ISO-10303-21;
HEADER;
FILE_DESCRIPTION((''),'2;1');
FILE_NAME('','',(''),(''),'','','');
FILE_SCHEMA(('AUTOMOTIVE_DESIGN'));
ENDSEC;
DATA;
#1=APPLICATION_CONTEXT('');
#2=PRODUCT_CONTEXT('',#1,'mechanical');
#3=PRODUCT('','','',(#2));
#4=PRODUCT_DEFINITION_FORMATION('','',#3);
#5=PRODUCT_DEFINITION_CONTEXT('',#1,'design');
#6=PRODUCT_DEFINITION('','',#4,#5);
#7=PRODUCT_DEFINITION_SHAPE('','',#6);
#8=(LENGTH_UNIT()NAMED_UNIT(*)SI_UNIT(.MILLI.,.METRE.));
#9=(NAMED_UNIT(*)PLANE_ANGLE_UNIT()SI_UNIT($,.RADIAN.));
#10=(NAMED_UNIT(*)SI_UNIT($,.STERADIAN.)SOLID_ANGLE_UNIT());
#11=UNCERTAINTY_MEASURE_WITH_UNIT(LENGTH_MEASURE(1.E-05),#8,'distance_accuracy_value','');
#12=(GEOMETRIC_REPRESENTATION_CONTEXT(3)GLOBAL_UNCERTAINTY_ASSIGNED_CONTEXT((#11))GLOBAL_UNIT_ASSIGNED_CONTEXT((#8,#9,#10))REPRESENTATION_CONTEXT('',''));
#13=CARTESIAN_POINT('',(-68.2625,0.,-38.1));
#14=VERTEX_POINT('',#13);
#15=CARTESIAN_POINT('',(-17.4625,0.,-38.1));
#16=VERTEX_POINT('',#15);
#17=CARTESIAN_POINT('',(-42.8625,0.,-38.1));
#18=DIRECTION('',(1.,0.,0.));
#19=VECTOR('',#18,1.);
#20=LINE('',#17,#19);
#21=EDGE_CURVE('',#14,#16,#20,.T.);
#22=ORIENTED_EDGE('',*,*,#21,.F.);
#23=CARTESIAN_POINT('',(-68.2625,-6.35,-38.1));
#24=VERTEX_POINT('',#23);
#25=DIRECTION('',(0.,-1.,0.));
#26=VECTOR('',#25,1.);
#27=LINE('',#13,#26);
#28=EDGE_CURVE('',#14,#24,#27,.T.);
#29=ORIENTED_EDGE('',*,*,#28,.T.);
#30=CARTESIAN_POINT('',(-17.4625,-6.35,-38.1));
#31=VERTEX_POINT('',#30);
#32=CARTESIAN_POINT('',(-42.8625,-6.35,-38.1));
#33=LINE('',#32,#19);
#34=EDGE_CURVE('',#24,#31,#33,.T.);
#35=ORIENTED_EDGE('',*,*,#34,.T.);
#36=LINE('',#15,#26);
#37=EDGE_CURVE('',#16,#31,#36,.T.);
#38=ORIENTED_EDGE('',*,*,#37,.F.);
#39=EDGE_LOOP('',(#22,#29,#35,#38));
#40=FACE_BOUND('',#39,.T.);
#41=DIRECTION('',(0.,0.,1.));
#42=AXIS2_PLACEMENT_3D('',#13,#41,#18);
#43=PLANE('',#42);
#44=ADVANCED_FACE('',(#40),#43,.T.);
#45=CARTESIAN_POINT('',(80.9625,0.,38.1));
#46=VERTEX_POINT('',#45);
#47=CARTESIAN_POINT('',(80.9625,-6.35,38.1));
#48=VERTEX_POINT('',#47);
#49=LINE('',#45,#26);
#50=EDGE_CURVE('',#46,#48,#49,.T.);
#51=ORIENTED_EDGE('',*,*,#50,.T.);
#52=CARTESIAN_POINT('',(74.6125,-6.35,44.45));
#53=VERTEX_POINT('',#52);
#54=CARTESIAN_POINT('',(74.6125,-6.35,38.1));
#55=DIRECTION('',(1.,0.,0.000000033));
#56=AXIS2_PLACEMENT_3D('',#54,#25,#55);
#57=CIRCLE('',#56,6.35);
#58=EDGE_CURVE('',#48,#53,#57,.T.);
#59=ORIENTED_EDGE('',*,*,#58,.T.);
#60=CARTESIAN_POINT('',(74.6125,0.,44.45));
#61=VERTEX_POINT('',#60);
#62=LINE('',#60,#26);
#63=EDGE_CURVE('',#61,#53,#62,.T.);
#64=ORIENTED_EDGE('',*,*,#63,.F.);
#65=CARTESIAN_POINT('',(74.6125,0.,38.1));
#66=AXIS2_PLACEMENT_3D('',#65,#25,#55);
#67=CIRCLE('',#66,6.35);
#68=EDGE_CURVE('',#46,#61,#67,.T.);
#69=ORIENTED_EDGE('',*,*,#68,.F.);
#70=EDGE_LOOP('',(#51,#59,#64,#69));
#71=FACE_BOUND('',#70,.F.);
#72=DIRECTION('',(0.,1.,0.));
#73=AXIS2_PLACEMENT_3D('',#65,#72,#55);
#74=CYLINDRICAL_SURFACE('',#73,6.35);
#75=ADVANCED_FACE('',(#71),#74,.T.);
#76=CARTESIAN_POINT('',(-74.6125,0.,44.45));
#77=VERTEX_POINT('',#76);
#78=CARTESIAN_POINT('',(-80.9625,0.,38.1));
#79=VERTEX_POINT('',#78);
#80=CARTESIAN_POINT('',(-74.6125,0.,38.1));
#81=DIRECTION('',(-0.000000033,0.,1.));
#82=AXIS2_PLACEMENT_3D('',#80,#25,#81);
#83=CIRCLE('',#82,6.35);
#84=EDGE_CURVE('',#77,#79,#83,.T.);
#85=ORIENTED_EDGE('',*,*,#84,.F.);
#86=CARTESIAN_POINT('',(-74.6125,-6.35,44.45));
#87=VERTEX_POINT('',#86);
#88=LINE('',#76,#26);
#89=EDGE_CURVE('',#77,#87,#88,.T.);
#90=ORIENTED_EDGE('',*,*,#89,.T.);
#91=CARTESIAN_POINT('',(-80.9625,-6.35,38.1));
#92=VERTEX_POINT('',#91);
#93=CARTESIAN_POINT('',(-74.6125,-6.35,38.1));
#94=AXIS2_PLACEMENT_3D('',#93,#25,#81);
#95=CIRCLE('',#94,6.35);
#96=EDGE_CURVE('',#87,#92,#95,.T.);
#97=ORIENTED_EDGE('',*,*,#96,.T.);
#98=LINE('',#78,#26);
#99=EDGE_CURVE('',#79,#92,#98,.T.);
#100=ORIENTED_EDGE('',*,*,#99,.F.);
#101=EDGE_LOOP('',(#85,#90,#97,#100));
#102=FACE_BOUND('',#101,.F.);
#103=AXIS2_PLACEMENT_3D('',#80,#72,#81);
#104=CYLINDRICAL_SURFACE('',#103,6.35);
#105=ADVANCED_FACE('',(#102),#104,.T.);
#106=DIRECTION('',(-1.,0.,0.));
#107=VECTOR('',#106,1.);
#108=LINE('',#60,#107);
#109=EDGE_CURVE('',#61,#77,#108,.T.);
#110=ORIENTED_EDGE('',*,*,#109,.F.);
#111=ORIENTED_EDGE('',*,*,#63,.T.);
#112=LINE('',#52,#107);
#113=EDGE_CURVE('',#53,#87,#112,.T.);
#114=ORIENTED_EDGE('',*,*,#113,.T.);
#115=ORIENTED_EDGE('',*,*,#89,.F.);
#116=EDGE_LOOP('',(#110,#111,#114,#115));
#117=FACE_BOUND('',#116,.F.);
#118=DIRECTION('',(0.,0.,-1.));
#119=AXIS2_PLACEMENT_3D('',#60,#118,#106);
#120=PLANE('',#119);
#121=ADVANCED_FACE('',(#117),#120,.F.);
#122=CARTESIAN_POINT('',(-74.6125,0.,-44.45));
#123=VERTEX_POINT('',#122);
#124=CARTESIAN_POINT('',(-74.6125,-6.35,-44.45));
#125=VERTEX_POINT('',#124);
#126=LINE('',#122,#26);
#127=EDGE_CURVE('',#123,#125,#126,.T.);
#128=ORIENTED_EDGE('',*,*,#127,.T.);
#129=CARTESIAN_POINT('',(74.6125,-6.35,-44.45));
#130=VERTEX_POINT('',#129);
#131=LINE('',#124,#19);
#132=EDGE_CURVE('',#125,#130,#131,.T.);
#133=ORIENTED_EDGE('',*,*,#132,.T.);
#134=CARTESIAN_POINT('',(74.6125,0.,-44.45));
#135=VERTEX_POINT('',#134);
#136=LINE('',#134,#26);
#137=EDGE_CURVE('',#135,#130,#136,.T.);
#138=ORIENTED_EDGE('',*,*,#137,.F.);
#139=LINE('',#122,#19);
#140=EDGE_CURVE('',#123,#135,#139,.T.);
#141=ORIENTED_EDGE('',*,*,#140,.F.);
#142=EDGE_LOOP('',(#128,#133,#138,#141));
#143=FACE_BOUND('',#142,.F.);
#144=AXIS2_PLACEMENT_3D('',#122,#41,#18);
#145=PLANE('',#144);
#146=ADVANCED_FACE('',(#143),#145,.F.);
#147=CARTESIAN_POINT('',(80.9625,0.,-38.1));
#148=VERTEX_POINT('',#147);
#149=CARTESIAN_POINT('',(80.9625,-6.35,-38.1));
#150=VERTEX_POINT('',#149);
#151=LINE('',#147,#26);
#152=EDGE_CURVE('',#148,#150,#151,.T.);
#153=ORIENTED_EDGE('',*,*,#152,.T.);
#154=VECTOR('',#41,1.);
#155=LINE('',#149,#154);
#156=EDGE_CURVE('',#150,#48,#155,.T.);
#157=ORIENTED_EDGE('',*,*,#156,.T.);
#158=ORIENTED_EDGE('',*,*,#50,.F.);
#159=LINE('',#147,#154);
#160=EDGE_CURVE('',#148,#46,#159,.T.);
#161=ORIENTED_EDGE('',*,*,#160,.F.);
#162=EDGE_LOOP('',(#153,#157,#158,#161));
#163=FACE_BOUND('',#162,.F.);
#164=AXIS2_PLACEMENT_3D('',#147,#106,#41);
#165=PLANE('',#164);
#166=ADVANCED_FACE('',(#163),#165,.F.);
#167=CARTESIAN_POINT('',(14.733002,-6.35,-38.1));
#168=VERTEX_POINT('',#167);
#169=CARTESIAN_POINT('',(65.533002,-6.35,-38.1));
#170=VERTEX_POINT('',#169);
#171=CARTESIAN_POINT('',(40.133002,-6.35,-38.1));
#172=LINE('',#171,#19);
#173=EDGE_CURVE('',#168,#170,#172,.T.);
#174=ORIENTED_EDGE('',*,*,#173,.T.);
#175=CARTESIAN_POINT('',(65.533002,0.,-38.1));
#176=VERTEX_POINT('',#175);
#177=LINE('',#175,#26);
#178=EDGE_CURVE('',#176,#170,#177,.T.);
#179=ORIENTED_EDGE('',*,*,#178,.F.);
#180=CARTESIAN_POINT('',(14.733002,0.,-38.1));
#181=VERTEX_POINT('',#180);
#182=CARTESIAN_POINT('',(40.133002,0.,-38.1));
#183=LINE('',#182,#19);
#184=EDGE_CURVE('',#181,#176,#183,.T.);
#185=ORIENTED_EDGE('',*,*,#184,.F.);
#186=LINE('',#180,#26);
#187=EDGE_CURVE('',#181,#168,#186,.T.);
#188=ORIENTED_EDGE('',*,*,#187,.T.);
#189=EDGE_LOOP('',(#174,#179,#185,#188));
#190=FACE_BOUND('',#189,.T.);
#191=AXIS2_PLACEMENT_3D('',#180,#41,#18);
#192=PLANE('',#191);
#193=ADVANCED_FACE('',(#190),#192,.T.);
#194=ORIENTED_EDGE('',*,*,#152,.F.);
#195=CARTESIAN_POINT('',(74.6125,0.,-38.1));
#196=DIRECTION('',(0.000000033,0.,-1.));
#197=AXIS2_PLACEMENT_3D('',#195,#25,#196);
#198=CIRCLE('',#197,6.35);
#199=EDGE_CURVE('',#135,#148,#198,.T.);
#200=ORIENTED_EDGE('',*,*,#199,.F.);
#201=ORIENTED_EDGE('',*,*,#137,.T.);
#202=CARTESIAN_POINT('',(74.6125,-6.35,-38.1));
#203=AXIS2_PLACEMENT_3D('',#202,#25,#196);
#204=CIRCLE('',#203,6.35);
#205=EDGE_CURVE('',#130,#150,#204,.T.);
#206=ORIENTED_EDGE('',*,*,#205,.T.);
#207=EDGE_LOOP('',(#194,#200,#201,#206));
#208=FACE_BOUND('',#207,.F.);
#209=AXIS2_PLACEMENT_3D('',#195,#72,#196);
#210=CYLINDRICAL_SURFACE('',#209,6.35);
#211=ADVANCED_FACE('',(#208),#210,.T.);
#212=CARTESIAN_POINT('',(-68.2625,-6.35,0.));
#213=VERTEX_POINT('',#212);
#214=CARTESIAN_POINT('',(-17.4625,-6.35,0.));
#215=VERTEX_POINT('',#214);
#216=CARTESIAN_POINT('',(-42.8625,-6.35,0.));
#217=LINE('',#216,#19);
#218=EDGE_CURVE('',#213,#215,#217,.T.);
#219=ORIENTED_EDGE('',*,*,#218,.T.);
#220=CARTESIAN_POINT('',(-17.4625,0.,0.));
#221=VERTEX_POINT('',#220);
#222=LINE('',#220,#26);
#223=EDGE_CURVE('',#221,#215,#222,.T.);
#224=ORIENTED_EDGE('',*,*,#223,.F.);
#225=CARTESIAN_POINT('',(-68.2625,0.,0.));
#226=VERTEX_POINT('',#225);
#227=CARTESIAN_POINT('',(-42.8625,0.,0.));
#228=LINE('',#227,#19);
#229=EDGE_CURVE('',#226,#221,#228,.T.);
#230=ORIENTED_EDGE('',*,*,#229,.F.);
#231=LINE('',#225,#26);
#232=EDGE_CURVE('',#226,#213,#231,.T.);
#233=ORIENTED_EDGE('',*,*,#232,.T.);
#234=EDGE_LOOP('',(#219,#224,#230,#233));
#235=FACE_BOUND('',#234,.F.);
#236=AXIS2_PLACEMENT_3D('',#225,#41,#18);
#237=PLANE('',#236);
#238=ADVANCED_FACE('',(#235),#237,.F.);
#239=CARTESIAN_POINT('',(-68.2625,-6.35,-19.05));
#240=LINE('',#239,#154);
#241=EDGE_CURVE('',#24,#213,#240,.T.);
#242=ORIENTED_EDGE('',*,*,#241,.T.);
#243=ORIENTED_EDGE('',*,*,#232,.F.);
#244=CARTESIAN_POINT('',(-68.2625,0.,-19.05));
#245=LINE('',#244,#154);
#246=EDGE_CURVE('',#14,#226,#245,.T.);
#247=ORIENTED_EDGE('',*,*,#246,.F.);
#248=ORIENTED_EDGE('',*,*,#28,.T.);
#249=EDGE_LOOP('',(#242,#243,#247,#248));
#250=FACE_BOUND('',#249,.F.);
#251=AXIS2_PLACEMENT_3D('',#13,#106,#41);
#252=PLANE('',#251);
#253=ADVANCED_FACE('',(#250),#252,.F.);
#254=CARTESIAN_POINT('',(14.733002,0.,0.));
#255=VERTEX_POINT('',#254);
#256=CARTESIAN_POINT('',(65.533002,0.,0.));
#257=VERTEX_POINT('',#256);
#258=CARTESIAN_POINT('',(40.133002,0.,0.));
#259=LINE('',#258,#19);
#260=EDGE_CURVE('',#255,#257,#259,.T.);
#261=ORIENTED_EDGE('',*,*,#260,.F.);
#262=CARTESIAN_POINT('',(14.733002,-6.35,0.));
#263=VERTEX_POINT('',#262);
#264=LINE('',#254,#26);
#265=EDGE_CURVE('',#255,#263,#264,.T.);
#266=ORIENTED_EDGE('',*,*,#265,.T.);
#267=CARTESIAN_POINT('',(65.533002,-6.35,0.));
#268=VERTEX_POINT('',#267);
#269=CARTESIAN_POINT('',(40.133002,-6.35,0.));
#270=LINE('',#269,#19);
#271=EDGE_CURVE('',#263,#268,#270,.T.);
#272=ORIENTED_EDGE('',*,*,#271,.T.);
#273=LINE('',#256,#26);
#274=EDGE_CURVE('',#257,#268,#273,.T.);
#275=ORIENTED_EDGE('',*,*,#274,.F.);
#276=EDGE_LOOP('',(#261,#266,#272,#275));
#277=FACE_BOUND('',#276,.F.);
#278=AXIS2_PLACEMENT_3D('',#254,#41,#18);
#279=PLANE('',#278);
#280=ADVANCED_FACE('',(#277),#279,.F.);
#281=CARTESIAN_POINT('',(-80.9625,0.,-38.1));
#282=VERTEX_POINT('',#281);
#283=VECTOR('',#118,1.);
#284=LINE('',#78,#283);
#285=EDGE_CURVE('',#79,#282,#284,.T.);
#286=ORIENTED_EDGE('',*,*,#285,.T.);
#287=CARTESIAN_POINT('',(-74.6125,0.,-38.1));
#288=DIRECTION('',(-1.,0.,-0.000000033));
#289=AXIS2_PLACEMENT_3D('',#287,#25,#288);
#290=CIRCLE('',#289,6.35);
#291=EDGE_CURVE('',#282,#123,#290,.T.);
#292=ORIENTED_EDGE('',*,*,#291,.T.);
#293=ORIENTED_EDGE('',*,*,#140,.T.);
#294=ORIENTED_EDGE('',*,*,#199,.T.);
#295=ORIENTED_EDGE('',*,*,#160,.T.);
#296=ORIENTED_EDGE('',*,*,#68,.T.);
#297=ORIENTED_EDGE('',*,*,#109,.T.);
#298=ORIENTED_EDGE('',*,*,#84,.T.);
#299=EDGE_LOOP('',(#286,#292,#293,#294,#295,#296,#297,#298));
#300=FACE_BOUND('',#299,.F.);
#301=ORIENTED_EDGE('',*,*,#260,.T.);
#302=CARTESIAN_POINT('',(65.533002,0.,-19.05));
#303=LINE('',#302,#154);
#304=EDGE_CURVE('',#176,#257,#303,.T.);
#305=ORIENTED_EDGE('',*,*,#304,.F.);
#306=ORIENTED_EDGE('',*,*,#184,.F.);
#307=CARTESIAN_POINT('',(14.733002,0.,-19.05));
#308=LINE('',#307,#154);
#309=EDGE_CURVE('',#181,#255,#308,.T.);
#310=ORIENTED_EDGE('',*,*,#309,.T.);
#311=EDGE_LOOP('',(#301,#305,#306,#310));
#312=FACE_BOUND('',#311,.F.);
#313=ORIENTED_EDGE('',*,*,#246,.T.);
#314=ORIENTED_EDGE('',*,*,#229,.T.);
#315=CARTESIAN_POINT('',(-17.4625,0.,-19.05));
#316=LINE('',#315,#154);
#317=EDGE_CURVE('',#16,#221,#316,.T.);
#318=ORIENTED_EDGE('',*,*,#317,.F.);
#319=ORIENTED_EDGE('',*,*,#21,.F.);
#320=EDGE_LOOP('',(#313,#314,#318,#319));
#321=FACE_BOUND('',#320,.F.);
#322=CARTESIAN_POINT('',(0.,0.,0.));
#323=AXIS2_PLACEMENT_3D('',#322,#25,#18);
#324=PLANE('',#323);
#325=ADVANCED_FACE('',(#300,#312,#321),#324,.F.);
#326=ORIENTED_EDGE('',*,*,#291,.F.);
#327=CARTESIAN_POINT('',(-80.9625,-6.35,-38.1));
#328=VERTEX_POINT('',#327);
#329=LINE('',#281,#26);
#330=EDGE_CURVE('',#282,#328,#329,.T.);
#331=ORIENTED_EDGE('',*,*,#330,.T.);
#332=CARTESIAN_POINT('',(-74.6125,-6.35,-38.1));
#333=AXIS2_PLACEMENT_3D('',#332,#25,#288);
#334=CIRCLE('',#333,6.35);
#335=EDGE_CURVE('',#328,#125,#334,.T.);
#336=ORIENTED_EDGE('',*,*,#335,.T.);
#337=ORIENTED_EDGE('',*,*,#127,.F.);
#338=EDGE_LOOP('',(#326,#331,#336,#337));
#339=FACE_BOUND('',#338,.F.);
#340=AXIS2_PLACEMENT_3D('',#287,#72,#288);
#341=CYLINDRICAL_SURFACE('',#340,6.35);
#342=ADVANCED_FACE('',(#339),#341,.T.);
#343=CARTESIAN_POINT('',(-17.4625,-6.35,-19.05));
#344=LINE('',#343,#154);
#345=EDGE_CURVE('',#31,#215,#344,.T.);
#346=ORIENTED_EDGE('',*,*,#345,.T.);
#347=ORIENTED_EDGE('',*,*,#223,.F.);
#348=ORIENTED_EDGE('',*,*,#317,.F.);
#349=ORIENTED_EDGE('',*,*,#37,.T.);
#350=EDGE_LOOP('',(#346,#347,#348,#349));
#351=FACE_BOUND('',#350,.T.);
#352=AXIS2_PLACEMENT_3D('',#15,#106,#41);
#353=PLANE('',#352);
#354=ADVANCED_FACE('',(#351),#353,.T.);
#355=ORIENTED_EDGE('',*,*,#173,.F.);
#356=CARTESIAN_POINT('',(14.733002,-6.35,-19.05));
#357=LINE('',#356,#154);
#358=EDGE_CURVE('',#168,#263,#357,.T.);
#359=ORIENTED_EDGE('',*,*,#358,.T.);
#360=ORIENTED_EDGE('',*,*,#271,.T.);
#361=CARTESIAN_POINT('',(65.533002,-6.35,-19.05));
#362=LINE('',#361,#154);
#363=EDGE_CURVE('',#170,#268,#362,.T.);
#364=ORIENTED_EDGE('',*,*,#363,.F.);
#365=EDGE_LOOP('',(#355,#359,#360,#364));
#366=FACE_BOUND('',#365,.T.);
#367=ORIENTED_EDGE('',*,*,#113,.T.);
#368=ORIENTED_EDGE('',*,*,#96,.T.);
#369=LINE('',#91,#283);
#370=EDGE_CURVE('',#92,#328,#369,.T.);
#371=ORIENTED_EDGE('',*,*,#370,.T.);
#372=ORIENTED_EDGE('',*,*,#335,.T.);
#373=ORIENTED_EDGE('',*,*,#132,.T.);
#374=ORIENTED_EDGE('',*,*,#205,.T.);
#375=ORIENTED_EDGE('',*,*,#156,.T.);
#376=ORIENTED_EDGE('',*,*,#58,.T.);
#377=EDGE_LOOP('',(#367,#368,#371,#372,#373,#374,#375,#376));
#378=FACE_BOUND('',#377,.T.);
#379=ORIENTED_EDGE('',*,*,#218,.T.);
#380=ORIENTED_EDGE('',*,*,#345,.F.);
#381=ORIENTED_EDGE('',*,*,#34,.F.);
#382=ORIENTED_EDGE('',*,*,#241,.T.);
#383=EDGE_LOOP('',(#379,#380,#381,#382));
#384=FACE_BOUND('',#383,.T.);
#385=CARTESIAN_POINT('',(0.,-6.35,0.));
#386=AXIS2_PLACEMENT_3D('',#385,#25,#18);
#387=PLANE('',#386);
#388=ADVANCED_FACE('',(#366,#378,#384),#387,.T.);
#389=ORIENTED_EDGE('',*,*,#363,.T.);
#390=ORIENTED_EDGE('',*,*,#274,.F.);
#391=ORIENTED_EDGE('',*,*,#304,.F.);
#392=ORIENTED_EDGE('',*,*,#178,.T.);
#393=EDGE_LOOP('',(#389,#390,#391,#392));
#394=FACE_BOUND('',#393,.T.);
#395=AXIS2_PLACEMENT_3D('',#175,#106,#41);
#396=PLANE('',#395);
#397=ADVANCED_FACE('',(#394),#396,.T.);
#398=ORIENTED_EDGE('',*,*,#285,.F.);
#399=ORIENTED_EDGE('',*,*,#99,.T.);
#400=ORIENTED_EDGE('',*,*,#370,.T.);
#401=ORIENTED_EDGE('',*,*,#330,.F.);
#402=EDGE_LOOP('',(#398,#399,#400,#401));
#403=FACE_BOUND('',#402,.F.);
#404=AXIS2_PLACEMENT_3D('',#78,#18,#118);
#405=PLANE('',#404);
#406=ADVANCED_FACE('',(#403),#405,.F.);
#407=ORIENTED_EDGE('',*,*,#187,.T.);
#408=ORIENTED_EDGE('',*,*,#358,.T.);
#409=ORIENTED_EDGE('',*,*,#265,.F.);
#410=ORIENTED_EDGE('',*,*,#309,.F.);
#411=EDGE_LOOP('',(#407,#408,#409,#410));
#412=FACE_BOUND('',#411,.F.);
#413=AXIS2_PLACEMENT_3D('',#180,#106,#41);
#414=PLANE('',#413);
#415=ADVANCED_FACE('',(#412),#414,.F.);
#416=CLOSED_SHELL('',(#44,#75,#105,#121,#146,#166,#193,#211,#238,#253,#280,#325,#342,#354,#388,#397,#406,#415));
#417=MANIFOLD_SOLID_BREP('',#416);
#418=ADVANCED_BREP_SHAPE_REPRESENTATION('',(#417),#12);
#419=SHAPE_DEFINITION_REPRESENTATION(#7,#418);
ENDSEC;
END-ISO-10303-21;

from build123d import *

# Parameters (mm, degrees)
F0_W     = 50.8
F0_H     = 38.1
F1_DEPTH = 6.35


with BuildPart() as f1:
    # F0 (on Front) → F1 (new body)
    with BuildSketch(Plane.XZ):
        with BuildLine():
            ThreePointArc((80.9625, 38.1), (79.102628, 42.590128), (74.6125, 44.45))
            Line((74.6125, 44.45), (-74.6125, 44.45))
            ThreePointArc((-74.6125, 44.45), (-79.102628, 42.590128), (-80.9625, 38.1))
            Line((-80.9625, 38.1), (-80.9625, -38.1))
            ThreePointArc((-80.9625, -38.1), (-79.102628, -42.590128), (-74.6125, -44.45))
            Line((-74.6125, -44.45), (74.6125, -44.45))
            ThreePointArc((74.6125, -44.45), (79.102628, -42.590128), (80.9625, -38.1))
            Line((80.9625, -38.1), (80.9625, 38.1))
        make_face()
        with Locations((-42.8625, -19.05)):
            Rectangle(F0_W, F0_H, mode=Mode.SUBTRACT)
        with Locations((40.133002, -19.05)):
            Rectangle(F0_W, F0_H, mode=Mode.SUBTRACT)
    extrude(amount=F1_DEPTH)


solid = f1.part
